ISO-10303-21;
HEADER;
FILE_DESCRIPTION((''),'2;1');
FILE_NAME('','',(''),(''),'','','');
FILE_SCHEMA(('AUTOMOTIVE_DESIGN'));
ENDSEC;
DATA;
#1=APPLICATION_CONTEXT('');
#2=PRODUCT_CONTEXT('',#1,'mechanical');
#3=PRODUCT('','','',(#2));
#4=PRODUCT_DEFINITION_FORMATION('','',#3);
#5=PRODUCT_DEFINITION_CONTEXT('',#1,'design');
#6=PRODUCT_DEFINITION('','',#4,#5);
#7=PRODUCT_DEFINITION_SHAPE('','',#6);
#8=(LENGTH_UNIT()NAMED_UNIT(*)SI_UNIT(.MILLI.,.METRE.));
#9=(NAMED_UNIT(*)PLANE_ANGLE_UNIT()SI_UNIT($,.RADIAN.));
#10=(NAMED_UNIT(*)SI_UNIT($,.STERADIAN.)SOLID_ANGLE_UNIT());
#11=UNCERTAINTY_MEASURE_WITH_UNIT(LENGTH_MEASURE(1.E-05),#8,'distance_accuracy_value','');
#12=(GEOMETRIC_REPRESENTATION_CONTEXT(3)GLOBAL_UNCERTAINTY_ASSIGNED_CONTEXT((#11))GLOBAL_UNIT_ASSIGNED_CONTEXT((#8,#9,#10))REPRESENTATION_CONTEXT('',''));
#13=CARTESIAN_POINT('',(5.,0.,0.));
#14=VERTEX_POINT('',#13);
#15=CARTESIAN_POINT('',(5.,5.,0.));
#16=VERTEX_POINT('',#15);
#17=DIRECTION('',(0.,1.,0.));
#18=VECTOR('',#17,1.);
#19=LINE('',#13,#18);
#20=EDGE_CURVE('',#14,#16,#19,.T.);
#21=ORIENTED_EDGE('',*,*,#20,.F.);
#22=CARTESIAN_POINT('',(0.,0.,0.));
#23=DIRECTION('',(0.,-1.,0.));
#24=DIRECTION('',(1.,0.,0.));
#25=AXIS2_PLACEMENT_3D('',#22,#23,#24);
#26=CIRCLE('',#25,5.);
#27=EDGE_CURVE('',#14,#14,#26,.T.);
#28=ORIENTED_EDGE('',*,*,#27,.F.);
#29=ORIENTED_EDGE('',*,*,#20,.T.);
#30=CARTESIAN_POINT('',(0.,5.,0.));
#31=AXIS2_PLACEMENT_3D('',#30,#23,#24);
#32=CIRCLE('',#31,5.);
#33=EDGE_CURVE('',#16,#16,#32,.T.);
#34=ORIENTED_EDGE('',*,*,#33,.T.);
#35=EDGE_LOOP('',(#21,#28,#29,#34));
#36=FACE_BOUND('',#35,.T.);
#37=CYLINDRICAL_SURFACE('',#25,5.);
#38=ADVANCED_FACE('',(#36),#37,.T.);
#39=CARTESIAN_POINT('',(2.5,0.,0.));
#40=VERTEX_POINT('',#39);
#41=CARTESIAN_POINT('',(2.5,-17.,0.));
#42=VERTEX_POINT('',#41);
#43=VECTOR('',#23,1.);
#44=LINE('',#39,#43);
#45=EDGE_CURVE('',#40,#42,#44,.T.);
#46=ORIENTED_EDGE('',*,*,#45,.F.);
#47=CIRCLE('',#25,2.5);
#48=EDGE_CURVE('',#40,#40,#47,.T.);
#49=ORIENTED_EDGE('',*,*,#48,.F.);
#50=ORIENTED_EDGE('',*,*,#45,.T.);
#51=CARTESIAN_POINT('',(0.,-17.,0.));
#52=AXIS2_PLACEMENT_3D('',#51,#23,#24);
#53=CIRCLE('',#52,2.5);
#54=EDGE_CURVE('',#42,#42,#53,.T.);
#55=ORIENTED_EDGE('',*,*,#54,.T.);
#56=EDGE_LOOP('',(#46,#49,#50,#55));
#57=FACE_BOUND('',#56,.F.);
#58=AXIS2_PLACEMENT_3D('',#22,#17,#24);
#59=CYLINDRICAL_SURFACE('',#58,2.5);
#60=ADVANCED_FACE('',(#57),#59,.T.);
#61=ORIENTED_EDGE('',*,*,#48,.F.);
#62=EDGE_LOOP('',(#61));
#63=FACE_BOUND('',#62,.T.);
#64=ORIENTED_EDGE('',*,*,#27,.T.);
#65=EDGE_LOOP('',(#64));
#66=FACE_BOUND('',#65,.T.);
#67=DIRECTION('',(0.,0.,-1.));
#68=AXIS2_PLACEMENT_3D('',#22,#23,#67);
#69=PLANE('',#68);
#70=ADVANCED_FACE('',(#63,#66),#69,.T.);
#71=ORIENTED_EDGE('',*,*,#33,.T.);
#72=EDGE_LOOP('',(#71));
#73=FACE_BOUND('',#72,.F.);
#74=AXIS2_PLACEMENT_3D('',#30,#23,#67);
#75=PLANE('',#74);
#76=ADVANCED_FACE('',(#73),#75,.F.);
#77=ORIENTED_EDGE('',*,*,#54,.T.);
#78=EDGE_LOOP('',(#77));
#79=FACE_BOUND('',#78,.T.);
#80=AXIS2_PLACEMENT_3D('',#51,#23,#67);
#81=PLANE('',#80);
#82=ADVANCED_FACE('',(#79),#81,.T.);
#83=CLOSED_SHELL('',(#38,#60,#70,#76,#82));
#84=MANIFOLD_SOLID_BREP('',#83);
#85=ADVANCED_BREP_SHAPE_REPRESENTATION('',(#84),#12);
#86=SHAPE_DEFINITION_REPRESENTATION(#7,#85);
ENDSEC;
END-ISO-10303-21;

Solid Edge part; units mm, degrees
sketch "Sketch1" plane through (0, 0, 0) normal (0, -1, 0) x (1, 0, 0)
  circle A0 centre (0, 0) radius 2.5
extrude "Protrusion1" add sketch "Sketch1" along normal blind 17
sketch "Sketch2" plane through (0, 0, 0) normal (0, -1, 0) x (1, 0, 0)
  circle A0 centre (0, 0) radius 5
extrude "ExtrudedProtrusion_2" add sketch "Sketch2" against normal blind 5
